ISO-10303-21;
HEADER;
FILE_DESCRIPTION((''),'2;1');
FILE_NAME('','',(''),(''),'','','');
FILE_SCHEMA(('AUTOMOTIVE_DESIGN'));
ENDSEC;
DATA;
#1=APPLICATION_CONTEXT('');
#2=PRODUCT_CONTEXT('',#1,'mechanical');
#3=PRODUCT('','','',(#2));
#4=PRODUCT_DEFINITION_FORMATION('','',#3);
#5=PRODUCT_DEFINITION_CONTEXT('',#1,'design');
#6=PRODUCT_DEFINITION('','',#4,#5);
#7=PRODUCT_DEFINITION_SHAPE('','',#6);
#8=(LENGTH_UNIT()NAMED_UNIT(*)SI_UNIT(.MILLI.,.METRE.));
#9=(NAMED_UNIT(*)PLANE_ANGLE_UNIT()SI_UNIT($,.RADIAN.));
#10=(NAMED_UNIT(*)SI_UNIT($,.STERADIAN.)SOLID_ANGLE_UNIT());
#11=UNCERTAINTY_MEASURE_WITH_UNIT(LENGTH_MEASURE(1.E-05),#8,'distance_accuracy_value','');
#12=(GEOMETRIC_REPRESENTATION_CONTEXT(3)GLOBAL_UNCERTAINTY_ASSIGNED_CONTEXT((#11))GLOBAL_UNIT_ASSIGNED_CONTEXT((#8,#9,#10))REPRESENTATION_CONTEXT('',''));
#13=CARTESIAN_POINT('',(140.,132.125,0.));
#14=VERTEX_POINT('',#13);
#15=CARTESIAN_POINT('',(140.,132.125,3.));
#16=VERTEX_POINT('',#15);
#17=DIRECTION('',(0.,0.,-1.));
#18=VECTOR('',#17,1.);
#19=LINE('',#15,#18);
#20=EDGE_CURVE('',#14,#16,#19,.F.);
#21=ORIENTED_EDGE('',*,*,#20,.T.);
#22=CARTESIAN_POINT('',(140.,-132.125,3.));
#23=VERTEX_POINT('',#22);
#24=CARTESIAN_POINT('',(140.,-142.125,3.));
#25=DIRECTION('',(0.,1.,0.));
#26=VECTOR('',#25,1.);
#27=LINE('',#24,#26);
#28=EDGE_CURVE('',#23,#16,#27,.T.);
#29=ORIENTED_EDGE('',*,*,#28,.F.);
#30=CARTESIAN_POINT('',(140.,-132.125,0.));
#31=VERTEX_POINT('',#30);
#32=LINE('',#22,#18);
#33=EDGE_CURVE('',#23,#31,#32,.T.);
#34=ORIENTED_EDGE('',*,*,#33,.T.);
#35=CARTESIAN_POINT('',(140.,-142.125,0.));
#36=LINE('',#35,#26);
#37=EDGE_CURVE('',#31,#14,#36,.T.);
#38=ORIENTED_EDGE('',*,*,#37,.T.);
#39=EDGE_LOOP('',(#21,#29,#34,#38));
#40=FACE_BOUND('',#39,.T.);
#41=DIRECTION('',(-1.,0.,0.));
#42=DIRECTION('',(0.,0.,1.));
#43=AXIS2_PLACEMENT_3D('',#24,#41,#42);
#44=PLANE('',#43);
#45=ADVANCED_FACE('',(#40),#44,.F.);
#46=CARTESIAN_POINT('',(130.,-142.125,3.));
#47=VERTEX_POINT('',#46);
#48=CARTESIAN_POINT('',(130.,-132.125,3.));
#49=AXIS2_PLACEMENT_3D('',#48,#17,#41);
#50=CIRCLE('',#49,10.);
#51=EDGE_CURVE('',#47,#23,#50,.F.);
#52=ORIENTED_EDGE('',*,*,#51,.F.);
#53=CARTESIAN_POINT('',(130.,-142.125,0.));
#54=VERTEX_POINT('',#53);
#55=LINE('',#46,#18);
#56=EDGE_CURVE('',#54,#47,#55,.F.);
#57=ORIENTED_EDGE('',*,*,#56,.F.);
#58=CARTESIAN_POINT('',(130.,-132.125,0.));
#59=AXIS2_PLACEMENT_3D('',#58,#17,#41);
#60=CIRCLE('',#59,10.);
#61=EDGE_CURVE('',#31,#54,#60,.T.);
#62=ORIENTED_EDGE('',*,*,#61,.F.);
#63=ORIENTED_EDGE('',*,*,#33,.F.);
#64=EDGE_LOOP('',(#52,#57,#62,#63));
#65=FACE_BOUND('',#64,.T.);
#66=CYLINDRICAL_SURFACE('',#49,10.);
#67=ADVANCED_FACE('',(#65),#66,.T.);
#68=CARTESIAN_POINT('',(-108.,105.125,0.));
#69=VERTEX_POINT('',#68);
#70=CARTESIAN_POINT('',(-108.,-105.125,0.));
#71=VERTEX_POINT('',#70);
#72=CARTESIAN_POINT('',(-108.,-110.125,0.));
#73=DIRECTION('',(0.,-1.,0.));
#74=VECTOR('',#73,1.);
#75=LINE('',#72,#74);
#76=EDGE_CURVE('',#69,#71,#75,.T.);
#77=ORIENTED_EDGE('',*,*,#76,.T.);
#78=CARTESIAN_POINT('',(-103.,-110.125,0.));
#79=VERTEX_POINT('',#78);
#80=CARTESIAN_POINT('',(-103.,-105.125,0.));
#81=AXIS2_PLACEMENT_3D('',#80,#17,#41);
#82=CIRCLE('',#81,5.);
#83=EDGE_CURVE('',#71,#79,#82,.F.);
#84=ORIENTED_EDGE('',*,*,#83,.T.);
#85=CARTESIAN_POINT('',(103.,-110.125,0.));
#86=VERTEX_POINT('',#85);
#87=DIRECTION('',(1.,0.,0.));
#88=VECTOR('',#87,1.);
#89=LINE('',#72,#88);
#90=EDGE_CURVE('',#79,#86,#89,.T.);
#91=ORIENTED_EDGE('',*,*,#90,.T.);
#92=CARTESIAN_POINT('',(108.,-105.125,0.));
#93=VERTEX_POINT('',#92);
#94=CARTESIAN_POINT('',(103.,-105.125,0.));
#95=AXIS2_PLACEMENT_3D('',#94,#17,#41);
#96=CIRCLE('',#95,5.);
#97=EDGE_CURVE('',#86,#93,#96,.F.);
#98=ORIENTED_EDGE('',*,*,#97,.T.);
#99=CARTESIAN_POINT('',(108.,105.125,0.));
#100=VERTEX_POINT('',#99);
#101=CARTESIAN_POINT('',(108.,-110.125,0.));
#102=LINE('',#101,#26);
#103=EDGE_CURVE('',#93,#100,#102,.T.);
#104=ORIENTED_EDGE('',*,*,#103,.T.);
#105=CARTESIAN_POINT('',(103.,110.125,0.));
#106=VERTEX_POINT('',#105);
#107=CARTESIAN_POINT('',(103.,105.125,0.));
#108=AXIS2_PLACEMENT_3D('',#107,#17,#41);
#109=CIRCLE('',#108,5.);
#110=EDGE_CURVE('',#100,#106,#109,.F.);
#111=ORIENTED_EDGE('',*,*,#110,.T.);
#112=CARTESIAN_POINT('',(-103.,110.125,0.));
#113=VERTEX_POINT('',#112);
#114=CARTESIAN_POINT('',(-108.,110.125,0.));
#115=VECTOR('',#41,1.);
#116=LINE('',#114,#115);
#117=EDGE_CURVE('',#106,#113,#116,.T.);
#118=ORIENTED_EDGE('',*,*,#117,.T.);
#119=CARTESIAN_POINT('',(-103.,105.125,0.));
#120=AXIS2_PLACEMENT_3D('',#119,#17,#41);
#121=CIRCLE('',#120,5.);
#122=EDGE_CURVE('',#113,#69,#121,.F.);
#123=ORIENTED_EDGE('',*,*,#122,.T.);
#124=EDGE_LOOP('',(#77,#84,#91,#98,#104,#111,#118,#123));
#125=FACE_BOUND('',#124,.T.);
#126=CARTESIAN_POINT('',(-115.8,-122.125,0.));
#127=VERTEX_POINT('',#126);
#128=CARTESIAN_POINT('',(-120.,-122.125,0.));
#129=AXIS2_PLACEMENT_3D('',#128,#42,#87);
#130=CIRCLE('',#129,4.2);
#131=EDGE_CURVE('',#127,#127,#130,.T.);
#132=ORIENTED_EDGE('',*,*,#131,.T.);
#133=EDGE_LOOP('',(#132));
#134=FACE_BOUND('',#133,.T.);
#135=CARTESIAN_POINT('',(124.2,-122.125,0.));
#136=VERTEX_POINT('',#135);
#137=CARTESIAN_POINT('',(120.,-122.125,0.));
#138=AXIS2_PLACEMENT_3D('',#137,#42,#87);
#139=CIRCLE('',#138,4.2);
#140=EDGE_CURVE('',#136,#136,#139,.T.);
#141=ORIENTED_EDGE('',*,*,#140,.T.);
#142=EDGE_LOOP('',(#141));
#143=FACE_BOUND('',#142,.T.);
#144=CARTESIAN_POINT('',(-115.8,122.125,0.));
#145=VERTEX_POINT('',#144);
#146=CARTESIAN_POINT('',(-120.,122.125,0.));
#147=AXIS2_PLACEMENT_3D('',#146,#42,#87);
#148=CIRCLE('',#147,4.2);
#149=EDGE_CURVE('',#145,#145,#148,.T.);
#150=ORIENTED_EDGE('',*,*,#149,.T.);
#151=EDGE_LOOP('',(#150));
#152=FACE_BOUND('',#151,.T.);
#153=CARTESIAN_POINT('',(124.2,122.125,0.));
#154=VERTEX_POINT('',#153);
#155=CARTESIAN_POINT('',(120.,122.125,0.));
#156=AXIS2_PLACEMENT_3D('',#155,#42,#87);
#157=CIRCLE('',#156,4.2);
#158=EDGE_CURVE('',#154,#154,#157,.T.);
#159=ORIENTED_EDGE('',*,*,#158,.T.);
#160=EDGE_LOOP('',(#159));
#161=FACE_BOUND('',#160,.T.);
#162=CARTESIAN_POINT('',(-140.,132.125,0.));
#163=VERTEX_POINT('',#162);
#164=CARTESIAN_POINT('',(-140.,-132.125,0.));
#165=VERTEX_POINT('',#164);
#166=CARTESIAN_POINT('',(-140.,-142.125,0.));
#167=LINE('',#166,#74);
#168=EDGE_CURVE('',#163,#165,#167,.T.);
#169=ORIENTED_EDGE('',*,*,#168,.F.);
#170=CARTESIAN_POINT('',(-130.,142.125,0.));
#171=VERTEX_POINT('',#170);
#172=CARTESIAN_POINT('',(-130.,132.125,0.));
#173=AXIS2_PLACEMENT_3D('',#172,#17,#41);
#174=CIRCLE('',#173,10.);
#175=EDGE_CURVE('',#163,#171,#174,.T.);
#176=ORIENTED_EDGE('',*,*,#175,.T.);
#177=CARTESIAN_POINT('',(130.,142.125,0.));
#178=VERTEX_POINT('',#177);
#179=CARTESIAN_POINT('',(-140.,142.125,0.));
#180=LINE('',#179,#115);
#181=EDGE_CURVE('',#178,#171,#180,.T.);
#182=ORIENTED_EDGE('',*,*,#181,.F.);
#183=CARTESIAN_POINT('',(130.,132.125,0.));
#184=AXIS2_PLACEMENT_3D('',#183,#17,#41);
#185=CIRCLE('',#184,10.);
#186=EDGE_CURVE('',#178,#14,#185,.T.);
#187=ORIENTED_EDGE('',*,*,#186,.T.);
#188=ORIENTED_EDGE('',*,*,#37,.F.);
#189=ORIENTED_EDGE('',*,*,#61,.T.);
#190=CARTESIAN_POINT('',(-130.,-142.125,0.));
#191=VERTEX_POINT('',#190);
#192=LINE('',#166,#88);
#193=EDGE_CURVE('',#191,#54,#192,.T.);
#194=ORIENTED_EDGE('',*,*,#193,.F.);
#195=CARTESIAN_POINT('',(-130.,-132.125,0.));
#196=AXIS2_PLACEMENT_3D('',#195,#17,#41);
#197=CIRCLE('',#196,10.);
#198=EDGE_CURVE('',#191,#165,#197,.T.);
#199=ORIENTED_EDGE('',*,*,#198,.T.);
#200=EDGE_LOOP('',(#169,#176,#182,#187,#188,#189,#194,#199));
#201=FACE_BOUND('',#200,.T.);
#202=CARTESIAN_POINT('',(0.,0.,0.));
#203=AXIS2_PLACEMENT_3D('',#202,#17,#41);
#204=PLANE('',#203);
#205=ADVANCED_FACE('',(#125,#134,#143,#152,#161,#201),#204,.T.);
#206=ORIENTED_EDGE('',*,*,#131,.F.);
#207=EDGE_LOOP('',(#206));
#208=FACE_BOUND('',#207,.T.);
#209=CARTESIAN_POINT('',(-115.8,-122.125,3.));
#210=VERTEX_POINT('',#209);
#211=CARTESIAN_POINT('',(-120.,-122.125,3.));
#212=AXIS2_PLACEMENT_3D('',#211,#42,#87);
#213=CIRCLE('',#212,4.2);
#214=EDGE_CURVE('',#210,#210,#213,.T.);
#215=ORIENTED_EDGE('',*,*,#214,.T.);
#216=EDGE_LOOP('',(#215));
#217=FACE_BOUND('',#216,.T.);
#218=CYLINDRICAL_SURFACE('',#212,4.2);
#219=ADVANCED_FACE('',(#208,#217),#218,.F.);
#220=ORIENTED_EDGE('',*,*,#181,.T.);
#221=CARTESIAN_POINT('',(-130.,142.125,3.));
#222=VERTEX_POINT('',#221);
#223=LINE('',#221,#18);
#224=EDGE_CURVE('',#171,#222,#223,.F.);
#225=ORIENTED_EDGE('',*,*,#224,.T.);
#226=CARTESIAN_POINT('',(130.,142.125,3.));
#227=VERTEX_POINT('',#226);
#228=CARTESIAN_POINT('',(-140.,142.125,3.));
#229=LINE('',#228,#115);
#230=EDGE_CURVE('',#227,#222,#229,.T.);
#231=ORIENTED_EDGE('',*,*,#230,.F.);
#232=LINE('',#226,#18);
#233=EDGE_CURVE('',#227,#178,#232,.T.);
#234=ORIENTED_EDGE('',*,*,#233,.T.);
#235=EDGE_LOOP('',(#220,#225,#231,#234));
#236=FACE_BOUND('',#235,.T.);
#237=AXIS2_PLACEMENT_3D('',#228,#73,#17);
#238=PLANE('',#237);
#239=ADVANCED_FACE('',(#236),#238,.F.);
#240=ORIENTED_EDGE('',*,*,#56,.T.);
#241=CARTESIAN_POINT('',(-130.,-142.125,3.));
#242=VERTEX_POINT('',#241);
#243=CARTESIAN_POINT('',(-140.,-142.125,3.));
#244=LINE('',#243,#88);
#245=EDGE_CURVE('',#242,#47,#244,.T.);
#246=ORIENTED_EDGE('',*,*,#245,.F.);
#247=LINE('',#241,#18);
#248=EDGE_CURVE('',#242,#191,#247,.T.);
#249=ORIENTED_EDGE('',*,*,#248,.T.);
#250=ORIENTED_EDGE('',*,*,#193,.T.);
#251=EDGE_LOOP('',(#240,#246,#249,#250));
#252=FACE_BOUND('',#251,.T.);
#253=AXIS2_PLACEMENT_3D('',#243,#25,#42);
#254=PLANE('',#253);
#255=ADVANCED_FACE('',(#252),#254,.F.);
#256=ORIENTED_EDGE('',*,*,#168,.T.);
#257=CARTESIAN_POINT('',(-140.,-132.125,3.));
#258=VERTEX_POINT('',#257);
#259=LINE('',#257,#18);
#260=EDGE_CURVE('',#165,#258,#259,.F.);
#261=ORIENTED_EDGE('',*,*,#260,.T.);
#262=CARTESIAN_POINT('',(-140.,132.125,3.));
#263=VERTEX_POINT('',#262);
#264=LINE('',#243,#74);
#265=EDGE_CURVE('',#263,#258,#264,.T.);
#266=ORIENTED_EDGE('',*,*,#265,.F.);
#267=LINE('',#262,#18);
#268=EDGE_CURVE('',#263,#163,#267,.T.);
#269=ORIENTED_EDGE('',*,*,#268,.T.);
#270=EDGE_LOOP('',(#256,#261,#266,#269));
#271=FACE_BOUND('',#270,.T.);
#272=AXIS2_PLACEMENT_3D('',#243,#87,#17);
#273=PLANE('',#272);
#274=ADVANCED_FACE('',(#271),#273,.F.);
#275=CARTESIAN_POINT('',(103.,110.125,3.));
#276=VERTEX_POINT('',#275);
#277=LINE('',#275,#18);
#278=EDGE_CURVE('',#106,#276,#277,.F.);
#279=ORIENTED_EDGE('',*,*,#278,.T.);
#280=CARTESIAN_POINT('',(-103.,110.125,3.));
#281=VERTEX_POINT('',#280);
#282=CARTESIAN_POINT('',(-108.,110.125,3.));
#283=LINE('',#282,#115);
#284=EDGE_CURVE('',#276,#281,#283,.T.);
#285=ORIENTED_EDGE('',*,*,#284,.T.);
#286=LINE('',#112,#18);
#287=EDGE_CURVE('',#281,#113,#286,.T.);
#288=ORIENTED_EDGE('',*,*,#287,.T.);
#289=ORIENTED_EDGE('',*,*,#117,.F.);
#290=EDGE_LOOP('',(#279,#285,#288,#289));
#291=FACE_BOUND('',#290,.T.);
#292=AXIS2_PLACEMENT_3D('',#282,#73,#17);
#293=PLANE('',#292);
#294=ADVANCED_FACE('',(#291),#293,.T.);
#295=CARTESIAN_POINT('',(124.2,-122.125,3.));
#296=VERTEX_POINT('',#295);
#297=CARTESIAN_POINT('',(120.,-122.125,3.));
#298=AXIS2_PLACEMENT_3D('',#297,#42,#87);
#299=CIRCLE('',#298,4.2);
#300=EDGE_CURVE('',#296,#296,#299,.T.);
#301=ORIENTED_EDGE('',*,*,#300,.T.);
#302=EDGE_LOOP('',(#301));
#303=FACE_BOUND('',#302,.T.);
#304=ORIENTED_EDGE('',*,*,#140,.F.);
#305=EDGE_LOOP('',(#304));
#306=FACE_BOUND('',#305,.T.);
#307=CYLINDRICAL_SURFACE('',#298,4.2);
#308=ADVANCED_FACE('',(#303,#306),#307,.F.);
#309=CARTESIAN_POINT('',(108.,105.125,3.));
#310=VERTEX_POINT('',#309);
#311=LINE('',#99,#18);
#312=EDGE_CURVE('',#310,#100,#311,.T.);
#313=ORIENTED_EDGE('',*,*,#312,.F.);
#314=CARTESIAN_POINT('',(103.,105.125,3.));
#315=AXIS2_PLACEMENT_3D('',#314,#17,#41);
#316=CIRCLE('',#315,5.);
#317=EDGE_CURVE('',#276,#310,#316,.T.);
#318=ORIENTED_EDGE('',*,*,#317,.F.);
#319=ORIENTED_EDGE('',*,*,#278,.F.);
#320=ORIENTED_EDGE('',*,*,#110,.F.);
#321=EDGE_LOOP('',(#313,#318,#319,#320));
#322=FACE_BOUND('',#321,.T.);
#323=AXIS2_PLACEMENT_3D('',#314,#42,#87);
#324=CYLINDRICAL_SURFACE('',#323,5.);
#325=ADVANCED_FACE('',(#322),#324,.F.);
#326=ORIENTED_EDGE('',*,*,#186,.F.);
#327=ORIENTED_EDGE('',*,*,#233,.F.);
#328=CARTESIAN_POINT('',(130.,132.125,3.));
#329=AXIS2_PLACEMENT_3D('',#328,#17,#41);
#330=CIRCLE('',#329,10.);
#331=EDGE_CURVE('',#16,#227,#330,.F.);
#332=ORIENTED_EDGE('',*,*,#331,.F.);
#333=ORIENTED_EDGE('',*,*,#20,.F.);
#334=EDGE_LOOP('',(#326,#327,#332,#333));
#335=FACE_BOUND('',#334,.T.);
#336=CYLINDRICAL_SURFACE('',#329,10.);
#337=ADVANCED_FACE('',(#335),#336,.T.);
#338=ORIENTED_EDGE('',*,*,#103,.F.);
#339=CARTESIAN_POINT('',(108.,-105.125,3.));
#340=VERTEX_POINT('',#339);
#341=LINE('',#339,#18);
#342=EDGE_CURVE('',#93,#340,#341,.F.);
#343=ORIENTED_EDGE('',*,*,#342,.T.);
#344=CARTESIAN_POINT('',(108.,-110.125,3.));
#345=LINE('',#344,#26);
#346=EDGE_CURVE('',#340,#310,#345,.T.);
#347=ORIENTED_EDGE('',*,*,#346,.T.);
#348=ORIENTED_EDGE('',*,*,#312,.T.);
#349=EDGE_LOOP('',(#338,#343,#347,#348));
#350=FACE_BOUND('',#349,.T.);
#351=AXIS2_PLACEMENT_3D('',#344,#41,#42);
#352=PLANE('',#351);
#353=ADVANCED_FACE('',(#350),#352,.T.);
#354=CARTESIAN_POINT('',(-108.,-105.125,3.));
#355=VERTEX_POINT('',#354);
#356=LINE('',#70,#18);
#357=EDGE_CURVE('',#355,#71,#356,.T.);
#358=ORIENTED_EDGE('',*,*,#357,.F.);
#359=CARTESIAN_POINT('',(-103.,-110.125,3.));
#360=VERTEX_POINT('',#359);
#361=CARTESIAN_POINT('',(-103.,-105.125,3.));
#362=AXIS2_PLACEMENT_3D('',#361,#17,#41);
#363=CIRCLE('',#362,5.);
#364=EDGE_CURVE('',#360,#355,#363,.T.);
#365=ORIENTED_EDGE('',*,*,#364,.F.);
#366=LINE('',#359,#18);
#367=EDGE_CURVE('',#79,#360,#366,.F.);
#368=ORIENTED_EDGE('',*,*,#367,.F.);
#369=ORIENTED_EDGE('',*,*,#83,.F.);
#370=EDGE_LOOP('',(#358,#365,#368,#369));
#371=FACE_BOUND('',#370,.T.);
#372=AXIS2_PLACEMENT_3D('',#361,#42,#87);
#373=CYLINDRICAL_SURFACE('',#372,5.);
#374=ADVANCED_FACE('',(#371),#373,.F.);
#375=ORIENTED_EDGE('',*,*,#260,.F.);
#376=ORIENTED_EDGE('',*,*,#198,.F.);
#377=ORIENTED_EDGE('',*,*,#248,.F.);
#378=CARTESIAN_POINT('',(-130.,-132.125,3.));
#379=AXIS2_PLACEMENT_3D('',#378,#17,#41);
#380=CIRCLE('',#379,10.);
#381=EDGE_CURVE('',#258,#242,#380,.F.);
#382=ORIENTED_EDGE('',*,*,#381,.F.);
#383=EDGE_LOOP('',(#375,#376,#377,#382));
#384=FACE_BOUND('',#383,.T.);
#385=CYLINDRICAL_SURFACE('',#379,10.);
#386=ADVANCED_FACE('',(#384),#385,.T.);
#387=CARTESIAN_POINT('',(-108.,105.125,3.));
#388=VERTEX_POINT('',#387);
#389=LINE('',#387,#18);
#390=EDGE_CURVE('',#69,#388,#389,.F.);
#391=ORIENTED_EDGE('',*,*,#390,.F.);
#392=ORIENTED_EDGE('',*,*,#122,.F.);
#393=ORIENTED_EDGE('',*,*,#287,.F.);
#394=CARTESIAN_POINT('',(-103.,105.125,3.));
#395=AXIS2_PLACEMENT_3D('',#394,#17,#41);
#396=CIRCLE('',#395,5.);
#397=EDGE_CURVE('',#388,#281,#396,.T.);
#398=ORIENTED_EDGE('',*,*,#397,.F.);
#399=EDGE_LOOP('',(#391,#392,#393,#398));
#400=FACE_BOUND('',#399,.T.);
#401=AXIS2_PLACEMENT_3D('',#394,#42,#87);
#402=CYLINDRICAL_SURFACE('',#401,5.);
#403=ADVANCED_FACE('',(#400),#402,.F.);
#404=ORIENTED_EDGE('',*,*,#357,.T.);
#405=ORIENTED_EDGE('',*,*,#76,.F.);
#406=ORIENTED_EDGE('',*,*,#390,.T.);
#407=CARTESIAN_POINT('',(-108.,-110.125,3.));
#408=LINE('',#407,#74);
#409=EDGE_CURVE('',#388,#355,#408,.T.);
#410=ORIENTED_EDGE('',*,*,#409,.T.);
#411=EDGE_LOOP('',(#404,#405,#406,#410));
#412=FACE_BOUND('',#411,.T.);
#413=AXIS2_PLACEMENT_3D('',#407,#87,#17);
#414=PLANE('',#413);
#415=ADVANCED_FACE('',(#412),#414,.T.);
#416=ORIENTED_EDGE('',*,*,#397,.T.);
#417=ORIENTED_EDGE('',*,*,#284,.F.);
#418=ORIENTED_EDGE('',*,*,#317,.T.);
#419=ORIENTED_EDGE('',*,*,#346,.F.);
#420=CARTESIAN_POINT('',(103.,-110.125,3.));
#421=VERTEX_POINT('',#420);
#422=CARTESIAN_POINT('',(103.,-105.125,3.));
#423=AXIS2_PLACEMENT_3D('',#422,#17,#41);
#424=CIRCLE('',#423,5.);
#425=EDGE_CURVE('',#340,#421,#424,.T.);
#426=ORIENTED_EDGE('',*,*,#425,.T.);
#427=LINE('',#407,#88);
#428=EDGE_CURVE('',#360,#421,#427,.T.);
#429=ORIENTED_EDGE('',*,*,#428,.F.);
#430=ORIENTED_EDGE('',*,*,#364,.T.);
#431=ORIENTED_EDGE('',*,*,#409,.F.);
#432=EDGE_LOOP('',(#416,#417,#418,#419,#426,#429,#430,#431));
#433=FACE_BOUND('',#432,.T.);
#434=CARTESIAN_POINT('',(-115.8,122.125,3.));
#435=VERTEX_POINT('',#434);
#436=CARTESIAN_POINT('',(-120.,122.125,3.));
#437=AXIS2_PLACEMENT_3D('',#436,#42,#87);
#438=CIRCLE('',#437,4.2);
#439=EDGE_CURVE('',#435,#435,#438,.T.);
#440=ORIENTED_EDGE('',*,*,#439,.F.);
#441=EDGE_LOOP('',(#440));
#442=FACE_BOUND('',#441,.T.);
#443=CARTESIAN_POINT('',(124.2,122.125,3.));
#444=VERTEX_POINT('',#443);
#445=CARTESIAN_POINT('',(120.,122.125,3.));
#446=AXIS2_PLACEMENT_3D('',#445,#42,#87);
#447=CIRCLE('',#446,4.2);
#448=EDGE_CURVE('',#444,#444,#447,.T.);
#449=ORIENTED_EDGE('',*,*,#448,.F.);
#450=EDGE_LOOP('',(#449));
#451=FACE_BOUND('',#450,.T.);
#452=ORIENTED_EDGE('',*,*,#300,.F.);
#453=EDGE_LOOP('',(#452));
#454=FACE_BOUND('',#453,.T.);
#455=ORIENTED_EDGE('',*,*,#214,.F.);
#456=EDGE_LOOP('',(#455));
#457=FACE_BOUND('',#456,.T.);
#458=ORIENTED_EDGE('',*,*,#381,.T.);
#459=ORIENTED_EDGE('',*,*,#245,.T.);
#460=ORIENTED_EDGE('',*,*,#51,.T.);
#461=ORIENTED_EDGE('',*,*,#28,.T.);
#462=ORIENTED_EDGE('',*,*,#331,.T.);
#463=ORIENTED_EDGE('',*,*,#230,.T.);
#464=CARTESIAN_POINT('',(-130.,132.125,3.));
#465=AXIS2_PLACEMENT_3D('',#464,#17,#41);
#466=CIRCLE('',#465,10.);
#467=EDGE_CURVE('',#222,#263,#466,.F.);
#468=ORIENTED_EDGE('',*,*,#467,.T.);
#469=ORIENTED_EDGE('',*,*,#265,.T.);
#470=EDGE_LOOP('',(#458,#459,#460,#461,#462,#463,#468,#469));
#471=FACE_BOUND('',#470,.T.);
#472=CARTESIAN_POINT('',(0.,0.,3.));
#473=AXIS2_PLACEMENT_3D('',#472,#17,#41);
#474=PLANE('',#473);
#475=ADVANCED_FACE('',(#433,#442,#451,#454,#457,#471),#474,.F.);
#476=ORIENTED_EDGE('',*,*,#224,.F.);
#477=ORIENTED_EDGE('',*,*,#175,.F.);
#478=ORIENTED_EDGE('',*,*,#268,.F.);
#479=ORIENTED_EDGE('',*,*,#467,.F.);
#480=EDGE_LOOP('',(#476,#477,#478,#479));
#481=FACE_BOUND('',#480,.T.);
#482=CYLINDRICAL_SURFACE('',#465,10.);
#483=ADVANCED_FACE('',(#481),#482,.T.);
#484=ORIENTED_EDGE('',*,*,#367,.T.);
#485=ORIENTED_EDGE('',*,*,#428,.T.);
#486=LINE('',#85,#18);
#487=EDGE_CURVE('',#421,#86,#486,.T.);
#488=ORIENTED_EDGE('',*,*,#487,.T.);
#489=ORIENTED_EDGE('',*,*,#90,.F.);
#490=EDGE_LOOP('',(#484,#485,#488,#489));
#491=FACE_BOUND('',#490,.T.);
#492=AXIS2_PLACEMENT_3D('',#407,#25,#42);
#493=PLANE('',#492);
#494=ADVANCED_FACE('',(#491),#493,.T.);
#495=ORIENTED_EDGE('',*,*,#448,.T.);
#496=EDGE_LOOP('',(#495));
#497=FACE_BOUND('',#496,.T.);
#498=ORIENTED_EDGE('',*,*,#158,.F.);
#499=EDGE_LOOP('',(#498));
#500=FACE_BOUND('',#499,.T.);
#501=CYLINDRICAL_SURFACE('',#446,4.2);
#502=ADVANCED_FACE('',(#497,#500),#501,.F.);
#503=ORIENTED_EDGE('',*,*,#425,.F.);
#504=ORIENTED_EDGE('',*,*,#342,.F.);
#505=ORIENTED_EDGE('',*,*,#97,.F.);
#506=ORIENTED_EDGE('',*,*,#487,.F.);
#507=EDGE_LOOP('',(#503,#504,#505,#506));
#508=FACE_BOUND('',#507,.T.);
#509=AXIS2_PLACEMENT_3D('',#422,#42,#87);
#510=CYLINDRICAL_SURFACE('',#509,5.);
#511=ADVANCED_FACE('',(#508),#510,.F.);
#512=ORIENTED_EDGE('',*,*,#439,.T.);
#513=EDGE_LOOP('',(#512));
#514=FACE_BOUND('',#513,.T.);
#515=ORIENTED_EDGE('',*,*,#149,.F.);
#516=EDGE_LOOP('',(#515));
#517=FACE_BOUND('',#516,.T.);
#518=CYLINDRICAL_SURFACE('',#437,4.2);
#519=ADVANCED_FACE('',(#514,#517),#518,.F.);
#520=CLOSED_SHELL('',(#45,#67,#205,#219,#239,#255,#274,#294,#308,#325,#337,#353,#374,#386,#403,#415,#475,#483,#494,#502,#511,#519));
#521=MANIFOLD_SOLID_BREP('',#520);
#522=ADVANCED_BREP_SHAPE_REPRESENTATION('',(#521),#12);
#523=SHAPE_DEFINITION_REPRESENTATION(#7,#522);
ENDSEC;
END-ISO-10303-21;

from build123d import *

# Parameters (mm, degrees)
SKETCH_1_W              = 280
SKETCH_1_H              = 284.25
SKETCH_1_W_2            = 216
SKETCH_1_H_2            = 220.25
EXTRUDE_1_DEPTH         = 3
FILLET_1_R              = 10
FILLET_2_R              = 5
HOLE_WIZARD_8_4_8_4_1_D = 8.4


with BuildPart() as part:
    # 草图1 → 凸台-拉伸1 (new body)
    with BuildSketch(Plane.XY):
        Rectangle(SKETCH_1_W, SKETCH_1_H)
        Rectangle(SKETCH_1_W_2, SKETCH_1_H_2, mode=Mode.SUBTRACT)
    extrude(amount=EXTRUDE_1_DEPTH)

    # 圆角1
    fillet_1_edges = [part.edges().sort_by_distance(p)[0] for p in [
        (140, -142.125, 1.5),
        (-140, -142.125, 1.5),
        (-140, 142.125, 1.5),
        (140, 142.125, 1.5),
    ]]
    fillet(fillet_1_edges, radius=FILLET_1_R)

    # 圆角2
    fillet_2_edges = [part.edges().sort_by_distance(p)[0] for p in [
        (108, -110.125, 1.5),
        (108, 110.125, 1.5),
        (-108, 110.125, 1.5),
        (-108, -110.125, 1.5),
    ]]
    fillet(fillet_2_edges, radius=FILLET_2_R)

    # Ø8.4 (8.4) 直径孔1 (through all)
    with Locations(Plane.XY.offset(3)):
        with Locations((120, -122.125), (-120, 122.125), (-120, -122.125), (120, 122.125)):
            Hole(HOLE_WIZARD_8_4_8_4_1_D / 2)


solid = part.part
